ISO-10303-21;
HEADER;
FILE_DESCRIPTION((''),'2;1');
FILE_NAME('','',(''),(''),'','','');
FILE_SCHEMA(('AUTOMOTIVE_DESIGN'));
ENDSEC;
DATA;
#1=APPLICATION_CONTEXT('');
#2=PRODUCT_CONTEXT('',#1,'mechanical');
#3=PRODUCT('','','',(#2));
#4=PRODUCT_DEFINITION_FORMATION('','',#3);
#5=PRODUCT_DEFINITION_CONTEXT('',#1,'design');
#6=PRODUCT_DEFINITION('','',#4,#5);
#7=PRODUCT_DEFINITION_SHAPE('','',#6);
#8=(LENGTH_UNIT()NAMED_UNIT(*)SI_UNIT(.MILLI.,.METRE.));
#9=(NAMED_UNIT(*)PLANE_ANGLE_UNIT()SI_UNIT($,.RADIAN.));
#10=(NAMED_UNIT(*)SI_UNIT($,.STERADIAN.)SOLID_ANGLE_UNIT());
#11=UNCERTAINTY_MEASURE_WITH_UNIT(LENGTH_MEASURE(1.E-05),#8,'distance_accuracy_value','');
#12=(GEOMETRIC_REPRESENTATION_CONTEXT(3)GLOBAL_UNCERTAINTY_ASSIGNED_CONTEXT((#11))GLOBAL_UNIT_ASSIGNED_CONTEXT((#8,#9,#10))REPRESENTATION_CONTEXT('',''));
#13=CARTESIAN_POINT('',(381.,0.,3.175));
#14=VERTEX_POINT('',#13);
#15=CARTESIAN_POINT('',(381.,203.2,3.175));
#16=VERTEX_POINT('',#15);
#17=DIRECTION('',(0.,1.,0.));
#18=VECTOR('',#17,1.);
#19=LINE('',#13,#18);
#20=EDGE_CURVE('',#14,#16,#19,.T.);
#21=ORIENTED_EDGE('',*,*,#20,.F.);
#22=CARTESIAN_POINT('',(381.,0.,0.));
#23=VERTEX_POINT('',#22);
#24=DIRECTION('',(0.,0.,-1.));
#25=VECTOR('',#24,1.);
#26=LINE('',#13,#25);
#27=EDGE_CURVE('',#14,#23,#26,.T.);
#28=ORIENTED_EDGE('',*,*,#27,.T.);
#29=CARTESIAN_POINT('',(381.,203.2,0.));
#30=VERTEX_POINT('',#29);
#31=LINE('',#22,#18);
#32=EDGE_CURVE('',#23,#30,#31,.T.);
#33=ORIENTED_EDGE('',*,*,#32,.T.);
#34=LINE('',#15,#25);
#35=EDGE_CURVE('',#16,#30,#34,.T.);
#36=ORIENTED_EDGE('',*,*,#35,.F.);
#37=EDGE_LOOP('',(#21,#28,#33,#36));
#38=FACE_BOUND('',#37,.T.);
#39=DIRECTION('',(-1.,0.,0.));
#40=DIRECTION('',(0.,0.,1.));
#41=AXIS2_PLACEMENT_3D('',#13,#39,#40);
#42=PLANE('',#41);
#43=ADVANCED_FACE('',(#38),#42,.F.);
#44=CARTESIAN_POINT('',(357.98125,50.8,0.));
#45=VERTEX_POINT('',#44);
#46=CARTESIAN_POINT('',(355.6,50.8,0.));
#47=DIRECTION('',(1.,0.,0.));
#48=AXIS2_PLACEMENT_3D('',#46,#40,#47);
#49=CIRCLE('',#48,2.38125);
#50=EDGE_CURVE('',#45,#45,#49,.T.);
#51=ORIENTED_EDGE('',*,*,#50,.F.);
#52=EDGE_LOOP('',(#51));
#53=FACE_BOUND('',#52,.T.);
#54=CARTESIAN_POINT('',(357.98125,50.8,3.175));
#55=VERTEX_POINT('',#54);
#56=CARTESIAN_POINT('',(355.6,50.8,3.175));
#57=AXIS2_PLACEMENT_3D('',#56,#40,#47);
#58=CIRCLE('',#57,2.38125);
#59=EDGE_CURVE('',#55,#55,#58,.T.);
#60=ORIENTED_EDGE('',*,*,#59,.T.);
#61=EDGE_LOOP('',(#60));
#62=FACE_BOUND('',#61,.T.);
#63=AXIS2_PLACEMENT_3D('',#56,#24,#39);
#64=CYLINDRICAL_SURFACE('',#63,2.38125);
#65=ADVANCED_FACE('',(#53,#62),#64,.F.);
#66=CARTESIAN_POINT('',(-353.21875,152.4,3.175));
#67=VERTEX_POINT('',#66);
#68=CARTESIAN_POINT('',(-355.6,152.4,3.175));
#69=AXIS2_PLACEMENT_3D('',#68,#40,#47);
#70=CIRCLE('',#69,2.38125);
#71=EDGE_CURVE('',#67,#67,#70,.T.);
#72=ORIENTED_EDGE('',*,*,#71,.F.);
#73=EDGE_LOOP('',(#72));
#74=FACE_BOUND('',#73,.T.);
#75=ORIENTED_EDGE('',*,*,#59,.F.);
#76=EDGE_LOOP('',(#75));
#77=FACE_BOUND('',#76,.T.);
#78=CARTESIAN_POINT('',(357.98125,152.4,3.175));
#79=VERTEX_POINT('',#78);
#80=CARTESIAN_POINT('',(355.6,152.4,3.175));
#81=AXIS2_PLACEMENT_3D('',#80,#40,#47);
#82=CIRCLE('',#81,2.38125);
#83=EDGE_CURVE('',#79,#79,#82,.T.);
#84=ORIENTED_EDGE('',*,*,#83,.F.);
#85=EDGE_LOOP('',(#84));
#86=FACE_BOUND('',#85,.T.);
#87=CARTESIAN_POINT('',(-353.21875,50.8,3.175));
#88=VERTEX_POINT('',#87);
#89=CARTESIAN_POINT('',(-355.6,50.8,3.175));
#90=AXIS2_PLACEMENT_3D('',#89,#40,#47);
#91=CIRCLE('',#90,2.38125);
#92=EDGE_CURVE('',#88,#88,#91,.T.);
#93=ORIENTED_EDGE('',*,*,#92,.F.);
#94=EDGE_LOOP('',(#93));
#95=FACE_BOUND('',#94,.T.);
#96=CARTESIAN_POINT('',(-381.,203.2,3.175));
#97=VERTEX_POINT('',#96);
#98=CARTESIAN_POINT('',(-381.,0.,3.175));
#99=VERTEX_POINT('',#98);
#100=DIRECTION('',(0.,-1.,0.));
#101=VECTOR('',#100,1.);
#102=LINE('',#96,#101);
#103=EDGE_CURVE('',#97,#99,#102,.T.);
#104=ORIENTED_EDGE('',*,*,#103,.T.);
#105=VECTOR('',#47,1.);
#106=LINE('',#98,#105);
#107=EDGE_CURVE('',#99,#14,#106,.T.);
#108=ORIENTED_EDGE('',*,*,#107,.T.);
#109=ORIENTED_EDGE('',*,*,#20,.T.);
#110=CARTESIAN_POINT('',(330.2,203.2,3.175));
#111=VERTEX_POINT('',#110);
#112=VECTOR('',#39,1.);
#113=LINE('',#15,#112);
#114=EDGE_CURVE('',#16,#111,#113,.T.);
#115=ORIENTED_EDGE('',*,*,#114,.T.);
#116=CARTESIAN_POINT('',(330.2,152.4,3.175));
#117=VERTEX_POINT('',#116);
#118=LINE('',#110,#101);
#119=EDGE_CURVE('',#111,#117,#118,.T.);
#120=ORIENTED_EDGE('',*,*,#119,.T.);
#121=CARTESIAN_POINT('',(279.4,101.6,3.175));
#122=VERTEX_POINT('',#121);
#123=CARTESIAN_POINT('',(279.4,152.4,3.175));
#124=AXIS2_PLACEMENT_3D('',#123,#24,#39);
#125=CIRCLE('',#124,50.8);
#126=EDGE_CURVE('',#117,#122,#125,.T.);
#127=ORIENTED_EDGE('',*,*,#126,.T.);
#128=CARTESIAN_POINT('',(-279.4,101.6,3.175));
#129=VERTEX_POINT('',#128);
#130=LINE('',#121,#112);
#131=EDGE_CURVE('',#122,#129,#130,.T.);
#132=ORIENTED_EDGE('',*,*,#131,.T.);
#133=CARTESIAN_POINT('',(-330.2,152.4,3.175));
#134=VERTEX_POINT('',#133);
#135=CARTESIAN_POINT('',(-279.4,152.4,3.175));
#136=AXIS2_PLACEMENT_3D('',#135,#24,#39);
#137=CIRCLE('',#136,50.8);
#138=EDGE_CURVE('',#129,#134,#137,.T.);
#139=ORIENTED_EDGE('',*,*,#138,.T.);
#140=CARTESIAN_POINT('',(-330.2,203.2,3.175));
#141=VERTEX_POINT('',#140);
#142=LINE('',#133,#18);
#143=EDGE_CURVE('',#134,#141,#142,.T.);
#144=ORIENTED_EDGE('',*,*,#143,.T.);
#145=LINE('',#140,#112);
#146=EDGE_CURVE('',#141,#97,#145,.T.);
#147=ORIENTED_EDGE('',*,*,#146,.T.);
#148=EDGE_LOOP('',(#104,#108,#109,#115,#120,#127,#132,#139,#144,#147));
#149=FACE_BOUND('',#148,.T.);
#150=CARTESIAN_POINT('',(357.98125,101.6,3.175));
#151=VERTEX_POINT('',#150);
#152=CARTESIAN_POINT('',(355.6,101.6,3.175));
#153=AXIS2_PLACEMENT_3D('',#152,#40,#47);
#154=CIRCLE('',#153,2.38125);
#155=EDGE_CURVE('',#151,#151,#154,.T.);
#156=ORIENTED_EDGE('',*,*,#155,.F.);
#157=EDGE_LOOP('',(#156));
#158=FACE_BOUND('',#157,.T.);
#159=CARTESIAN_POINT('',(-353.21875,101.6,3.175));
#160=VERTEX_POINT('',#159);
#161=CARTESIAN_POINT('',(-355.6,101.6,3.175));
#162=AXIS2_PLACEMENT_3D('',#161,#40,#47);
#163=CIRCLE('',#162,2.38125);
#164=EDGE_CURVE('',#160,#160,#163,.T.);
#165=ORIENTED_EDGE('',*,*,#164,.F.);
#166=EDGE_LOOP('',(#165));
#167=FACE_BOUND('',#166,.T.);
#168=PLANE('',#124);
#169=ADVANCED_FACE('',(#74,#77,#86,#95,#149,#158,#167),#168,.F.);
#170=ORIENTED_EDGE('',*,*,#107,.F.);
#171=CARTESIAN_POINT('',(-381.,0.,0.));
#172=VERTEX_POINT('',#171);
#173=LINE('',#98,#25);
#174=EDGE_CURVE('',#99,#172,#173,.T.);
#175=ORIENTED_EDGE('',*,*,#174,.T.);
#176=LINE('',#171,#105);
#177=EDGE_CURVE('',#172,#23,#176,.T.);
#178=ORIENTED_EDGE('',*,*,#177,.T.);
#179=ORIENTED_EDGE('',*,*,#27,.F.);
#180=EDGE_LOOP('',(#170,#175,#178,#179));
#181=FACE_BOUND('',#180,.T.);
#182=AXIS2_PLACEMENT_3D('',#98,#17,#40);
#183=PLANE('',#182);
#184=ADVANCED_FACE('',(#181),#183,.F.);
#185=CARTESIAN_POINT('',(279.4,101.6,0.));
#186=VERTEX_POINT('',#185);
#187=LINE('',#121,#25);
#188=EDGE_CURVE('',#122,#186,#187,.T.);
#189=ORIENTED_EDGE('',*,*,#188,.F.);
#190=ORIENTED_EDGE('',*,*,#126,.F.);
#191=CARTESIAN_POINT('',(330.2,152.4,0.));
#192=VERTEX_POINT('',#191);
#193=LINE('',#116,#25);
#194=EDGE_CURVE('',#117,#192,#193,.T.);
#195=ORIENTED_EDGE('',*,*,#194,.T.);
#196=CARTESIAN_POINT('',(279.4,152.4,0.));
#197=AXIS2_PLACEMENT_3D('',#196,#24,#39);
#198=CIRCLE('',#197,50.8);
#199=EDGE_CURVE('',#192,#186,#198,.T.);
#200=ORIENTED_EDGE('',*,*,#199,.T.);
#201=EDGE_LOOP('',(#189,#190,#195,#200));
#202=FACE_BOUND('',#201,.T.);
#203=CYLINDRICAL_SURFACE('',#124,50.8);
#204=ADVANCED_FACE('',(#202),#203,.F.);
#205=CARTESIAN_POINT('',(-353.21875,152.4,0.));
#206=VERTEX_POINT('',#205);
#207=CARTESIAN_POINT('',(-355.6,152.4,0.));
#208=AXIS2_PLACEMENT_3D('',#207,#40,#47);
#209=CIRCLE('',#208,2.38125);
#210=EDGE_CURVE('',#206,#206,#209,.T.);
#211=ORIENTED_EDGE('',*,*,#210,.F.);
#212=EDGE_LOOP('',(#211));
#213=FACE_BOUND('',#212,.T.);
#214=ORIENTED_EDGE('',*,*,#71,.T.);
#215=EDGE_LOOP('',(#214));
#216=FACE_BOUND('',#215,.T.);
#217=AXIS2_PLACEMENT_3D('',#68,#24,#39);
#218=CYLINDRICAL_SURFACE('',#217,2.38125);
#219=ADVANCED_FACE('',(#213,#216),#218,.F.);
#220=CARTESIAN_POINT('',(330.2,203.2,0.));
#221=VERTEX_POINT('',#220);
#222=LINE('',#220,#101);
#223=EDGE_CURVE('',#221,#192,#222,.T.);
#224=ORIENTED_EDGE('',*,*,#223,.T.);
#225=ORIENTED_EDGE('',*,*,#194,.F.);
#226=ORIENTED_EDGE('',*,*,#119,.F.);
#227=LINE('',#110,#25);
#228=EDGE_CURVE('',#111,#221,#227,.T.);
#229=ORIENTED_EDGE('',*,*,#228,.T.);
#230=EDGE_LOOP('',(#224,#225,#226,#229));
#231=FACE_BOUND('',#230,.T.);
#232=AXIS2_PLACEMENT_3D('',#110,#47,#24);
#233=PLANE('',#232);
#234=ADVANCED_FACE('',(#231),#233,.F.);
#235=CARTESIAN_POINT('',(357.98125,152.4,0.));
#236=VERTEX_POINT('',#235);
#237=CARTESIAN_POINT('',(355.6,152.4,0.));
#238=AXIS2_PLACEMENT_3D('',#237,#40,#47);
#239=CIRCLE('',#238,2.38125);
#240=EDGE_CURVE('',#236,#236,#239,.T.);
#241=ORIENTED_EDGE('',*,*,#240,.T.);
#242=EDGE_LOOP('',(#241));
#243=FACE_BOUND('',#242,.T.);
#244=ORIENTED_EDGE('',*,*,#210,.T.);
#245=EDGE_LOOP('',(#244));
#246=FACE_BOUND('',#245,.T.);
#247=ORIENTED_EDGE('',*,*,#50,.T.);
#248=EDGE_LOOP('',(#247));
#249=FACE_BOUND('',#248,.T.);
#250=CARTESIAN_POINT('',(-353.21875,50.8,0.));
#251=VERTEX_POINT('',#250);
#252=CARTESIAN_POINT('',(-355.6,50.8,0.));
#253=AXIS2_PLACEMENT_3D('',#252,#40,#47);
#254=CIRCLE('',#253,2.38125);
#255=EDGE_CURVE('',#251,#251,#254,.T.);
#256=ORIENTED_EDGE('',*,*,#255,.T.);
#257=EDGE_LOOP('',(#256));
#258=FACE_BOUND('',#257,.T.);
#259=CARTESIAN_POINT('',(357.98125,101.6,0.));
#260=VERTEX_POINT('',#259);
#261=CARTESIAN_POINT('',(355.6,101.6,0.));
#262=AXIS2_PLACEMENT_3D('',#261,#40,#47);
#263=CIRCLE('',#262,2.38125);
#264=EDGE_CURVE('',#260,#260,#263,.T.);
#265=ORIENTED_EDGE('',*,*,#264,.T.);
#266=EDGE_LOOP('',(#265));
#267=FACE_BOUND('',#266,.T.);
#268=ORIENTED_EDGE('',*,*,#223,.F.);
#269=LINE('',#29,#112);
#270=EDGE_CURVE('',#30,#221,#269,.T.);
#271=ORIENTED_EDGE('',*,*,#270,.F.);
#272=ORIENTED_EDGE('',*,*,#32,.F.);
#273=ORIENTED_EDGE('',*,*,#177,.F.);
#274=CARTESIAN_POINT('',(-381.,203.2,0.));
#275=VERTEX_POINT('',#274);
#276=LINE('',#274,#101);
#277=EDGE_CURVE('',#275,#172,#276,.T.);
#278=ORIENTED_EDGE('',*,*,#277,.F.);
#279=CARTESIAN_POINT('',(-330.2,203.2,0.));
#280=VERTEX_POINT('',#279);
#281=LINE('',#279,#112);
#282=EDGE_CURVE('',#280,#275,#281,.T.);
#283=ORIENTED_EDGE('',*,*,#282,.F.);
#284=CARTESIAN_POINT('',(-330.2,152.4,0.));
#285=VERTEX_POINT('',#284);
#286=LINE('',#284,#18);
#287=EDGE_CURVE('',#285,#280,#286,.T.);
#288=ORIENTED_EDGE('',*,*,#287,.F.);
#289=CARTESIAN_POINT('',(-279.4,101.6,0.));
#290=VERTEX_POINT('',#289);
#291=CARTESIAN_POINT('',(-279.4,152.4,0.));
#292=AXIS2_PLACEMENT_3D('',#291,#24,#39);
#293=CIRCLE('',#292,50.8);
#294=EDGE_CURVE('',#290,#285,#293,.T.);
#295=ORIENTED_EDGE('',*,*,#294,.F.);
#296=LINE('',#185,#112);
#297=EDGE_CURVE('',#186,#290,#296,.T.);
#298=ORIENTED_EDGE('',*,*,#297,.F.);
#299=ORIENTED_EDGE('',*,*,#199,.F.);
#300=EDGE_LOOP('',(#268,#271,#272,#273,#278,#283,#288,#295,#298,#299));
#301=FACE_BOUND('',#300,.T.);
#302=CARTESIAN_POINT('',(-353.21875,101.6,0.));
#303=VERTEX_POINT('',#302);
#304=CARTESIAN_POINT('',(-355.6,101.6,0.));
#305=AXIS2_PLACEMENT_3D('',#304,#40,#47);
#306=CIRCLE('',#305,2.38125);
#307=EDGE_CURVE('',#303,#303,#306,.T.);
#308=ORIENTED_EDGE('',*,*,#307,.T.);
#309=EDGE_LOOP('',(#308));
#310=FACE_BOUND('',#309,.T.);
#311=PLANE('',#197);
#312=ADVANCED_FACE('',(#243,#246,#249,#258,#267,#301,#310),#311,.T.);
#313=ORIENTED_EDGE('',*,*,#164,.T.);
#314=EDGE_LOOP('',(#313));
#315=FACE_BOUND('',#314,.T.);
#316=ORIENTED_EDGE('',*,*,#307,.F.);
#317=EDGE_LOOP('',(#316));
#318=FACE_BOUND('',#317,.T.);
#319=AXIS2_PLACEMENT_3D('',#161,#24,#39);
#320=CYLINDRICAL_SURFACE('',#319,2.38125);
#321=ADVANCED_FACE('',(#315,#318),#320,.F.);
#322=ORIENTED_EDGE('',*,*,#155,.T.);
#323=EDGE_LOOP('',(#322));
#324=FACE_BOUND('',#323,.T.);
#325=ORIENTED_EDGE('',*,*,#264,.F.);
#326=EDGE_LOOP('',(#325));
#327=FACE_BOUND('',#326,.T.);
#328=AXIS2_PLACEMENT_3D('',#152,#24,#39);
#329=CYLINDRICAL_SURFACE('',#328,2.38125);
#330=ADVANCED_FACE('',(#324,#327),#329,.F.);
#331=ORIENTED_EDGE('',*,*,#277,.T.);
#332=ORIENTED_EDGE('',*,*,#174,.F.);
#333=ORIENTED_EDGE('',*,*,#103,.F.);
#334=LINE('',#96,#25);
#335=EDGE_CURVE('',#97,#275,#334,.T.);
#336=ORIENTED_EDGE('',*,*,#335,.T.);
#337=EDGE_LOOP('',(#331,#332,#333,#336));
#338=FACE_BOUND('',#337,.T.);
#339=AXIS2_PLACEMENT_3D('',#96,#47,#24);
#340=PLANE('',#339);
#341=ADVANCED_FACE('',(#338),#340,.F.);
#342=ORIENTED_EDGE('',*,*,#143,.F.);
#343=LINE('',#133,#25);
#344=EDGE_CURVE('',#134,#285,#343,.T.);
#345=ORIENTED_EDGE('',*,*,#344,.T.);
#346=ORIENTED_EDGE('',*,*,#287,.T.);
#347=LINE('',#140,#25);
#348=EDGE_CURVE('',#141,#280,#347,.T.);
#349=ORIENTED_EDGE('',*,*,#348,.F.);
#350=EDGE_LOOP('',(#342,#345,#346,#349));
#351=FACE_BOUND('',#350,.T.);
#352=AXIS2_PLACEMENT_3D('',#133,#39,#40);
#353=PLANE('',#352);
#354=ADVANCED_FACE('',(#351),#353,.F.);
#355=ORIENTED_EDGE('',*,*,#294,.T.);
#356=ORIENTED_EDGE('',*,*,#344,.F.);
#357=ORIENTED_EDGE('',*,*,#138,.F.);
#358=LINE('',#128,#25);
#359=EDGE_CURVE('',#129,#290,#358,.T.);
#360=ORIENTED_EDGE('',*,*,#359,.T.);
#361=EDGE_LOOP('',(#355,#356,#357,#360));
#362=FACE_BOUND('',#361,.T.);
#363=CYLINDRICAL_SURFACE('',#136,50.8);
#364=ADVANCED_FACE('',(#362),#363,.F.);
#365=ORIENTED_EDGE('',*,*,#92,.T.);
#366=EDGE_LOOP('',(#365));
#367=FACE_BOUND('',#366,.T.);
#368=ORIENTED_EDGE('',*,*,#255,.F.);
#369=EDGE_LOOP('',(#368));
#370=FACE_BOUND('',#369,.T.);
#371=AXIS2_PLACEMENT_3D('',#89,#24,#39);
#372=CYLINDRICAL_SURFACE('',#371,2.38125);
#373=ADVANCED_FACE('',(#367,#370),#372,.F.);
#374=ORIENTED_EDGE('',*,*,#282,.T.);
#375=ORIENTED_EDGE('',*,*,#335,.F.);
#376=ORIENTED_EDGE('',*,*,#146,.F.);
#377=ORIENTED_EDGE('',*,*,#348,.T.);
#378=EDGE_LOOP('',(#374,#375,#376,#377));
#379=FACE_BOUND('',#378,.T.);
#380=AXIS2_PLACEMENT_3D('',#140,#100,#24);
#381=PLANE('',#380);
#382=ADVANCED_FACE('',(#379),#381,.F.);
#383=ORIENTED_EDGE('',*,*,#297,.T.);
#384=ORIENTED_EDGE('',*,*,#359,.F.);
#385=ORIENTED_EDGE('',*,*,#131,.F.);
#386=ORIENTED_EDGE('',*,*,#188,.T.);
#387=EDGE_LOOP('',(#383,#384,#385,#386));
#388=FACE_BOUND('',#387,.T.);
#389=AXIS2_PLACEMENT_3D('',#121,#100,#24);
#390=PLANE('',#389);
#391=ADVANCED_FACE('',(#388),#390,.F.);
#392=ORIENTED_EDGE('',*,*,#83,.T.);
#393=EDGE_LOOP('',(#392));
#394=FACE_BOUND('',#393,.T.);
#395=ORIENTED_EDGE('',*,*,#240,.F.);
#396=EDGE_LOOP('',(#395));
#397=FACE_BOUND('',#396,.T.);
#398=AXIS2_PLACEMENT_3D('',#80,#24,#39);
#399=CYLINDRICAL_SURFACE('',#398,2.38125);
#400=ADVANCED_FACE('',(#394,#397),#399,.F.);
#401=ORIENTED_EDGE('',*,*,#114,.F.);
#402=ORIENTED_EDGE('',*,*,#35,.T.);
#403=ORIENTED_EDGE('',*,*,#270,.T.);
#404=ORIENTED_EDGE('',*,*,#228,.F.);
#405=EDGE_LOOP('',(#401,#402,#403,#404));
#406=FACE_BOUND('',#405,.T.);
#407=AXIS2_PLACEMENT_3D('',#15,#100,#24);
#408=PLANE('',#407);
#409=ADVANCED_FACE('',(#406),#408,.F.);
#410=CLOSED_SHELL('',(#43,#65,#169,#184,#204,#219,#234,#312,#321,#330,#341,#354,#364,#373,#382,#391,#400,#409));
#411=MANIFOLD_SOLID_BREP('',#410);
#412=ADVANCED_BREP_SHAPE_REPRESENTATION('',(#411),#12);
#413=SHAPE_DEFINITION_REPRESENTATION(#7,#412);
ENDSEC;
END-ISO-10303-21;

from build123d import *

# Parameters (mm, degrees)
SKETCH1_R           = 2.38125
BOSS_EXTRUDE1_DEPTH = 3.175


with BuildPart() as part:
    # Sketch1 → Boss-Extrude1 (new body)
    with BuildSketch(Plane.XY):
        with BuildLine():
            Line((-381, 0), (381, 0))
            Line((381, 0), (381, 203.2))
            Line((381, 203.2), (330.2, 203.2))
            Line((330.2, 203.2), (330.2, 152.4))
            ThreePointArc((330.2, 152.4), (315.321024484, 116.478975516), (279.4, 101.6))
            Line((279.4, 101.6), (-279.4, 101.6))
            ThreePointArc((-279.4, 101.6), (-315.321024484, 116.478975516), (-330.2, 152.4))
            Line((-330.2, 152.4), (-330.2, 203.2))
            Line((-330.2, 203.2), (-381, 203.2))
            Line((-381, 203.2), (-381, 0))
        make_face()
        with Locations((-355.6, 152.4)):
            Circle(SKETCH1_R, mode=Mode.SUBTRACT)
        with Locations((355.6, 152.4)):
            Circle(SKETCH1_R, mode=Mode.SUBTRACT)
        with Locations((355.6, 101.6)):
            Circle(SKETCH1_R, mode=Mode.SUBTRACT)
        with Locations((355.6, 50.8)):
            Circle(SKETCH1_R, mode=Mode.SUBTRACT)
        with Locations((-355.6, 101.6)):
            Circle(SKETCH1_R, mode=Mode.SUBTRACT)
        with Locations((-355.6, 50.8)):
            Circle(SKETCH1_R, mode=Mode.SUBTRACT)
    extrude(amount=BOSS_EXTRUDE1_DEPTH)


solid = part.part
